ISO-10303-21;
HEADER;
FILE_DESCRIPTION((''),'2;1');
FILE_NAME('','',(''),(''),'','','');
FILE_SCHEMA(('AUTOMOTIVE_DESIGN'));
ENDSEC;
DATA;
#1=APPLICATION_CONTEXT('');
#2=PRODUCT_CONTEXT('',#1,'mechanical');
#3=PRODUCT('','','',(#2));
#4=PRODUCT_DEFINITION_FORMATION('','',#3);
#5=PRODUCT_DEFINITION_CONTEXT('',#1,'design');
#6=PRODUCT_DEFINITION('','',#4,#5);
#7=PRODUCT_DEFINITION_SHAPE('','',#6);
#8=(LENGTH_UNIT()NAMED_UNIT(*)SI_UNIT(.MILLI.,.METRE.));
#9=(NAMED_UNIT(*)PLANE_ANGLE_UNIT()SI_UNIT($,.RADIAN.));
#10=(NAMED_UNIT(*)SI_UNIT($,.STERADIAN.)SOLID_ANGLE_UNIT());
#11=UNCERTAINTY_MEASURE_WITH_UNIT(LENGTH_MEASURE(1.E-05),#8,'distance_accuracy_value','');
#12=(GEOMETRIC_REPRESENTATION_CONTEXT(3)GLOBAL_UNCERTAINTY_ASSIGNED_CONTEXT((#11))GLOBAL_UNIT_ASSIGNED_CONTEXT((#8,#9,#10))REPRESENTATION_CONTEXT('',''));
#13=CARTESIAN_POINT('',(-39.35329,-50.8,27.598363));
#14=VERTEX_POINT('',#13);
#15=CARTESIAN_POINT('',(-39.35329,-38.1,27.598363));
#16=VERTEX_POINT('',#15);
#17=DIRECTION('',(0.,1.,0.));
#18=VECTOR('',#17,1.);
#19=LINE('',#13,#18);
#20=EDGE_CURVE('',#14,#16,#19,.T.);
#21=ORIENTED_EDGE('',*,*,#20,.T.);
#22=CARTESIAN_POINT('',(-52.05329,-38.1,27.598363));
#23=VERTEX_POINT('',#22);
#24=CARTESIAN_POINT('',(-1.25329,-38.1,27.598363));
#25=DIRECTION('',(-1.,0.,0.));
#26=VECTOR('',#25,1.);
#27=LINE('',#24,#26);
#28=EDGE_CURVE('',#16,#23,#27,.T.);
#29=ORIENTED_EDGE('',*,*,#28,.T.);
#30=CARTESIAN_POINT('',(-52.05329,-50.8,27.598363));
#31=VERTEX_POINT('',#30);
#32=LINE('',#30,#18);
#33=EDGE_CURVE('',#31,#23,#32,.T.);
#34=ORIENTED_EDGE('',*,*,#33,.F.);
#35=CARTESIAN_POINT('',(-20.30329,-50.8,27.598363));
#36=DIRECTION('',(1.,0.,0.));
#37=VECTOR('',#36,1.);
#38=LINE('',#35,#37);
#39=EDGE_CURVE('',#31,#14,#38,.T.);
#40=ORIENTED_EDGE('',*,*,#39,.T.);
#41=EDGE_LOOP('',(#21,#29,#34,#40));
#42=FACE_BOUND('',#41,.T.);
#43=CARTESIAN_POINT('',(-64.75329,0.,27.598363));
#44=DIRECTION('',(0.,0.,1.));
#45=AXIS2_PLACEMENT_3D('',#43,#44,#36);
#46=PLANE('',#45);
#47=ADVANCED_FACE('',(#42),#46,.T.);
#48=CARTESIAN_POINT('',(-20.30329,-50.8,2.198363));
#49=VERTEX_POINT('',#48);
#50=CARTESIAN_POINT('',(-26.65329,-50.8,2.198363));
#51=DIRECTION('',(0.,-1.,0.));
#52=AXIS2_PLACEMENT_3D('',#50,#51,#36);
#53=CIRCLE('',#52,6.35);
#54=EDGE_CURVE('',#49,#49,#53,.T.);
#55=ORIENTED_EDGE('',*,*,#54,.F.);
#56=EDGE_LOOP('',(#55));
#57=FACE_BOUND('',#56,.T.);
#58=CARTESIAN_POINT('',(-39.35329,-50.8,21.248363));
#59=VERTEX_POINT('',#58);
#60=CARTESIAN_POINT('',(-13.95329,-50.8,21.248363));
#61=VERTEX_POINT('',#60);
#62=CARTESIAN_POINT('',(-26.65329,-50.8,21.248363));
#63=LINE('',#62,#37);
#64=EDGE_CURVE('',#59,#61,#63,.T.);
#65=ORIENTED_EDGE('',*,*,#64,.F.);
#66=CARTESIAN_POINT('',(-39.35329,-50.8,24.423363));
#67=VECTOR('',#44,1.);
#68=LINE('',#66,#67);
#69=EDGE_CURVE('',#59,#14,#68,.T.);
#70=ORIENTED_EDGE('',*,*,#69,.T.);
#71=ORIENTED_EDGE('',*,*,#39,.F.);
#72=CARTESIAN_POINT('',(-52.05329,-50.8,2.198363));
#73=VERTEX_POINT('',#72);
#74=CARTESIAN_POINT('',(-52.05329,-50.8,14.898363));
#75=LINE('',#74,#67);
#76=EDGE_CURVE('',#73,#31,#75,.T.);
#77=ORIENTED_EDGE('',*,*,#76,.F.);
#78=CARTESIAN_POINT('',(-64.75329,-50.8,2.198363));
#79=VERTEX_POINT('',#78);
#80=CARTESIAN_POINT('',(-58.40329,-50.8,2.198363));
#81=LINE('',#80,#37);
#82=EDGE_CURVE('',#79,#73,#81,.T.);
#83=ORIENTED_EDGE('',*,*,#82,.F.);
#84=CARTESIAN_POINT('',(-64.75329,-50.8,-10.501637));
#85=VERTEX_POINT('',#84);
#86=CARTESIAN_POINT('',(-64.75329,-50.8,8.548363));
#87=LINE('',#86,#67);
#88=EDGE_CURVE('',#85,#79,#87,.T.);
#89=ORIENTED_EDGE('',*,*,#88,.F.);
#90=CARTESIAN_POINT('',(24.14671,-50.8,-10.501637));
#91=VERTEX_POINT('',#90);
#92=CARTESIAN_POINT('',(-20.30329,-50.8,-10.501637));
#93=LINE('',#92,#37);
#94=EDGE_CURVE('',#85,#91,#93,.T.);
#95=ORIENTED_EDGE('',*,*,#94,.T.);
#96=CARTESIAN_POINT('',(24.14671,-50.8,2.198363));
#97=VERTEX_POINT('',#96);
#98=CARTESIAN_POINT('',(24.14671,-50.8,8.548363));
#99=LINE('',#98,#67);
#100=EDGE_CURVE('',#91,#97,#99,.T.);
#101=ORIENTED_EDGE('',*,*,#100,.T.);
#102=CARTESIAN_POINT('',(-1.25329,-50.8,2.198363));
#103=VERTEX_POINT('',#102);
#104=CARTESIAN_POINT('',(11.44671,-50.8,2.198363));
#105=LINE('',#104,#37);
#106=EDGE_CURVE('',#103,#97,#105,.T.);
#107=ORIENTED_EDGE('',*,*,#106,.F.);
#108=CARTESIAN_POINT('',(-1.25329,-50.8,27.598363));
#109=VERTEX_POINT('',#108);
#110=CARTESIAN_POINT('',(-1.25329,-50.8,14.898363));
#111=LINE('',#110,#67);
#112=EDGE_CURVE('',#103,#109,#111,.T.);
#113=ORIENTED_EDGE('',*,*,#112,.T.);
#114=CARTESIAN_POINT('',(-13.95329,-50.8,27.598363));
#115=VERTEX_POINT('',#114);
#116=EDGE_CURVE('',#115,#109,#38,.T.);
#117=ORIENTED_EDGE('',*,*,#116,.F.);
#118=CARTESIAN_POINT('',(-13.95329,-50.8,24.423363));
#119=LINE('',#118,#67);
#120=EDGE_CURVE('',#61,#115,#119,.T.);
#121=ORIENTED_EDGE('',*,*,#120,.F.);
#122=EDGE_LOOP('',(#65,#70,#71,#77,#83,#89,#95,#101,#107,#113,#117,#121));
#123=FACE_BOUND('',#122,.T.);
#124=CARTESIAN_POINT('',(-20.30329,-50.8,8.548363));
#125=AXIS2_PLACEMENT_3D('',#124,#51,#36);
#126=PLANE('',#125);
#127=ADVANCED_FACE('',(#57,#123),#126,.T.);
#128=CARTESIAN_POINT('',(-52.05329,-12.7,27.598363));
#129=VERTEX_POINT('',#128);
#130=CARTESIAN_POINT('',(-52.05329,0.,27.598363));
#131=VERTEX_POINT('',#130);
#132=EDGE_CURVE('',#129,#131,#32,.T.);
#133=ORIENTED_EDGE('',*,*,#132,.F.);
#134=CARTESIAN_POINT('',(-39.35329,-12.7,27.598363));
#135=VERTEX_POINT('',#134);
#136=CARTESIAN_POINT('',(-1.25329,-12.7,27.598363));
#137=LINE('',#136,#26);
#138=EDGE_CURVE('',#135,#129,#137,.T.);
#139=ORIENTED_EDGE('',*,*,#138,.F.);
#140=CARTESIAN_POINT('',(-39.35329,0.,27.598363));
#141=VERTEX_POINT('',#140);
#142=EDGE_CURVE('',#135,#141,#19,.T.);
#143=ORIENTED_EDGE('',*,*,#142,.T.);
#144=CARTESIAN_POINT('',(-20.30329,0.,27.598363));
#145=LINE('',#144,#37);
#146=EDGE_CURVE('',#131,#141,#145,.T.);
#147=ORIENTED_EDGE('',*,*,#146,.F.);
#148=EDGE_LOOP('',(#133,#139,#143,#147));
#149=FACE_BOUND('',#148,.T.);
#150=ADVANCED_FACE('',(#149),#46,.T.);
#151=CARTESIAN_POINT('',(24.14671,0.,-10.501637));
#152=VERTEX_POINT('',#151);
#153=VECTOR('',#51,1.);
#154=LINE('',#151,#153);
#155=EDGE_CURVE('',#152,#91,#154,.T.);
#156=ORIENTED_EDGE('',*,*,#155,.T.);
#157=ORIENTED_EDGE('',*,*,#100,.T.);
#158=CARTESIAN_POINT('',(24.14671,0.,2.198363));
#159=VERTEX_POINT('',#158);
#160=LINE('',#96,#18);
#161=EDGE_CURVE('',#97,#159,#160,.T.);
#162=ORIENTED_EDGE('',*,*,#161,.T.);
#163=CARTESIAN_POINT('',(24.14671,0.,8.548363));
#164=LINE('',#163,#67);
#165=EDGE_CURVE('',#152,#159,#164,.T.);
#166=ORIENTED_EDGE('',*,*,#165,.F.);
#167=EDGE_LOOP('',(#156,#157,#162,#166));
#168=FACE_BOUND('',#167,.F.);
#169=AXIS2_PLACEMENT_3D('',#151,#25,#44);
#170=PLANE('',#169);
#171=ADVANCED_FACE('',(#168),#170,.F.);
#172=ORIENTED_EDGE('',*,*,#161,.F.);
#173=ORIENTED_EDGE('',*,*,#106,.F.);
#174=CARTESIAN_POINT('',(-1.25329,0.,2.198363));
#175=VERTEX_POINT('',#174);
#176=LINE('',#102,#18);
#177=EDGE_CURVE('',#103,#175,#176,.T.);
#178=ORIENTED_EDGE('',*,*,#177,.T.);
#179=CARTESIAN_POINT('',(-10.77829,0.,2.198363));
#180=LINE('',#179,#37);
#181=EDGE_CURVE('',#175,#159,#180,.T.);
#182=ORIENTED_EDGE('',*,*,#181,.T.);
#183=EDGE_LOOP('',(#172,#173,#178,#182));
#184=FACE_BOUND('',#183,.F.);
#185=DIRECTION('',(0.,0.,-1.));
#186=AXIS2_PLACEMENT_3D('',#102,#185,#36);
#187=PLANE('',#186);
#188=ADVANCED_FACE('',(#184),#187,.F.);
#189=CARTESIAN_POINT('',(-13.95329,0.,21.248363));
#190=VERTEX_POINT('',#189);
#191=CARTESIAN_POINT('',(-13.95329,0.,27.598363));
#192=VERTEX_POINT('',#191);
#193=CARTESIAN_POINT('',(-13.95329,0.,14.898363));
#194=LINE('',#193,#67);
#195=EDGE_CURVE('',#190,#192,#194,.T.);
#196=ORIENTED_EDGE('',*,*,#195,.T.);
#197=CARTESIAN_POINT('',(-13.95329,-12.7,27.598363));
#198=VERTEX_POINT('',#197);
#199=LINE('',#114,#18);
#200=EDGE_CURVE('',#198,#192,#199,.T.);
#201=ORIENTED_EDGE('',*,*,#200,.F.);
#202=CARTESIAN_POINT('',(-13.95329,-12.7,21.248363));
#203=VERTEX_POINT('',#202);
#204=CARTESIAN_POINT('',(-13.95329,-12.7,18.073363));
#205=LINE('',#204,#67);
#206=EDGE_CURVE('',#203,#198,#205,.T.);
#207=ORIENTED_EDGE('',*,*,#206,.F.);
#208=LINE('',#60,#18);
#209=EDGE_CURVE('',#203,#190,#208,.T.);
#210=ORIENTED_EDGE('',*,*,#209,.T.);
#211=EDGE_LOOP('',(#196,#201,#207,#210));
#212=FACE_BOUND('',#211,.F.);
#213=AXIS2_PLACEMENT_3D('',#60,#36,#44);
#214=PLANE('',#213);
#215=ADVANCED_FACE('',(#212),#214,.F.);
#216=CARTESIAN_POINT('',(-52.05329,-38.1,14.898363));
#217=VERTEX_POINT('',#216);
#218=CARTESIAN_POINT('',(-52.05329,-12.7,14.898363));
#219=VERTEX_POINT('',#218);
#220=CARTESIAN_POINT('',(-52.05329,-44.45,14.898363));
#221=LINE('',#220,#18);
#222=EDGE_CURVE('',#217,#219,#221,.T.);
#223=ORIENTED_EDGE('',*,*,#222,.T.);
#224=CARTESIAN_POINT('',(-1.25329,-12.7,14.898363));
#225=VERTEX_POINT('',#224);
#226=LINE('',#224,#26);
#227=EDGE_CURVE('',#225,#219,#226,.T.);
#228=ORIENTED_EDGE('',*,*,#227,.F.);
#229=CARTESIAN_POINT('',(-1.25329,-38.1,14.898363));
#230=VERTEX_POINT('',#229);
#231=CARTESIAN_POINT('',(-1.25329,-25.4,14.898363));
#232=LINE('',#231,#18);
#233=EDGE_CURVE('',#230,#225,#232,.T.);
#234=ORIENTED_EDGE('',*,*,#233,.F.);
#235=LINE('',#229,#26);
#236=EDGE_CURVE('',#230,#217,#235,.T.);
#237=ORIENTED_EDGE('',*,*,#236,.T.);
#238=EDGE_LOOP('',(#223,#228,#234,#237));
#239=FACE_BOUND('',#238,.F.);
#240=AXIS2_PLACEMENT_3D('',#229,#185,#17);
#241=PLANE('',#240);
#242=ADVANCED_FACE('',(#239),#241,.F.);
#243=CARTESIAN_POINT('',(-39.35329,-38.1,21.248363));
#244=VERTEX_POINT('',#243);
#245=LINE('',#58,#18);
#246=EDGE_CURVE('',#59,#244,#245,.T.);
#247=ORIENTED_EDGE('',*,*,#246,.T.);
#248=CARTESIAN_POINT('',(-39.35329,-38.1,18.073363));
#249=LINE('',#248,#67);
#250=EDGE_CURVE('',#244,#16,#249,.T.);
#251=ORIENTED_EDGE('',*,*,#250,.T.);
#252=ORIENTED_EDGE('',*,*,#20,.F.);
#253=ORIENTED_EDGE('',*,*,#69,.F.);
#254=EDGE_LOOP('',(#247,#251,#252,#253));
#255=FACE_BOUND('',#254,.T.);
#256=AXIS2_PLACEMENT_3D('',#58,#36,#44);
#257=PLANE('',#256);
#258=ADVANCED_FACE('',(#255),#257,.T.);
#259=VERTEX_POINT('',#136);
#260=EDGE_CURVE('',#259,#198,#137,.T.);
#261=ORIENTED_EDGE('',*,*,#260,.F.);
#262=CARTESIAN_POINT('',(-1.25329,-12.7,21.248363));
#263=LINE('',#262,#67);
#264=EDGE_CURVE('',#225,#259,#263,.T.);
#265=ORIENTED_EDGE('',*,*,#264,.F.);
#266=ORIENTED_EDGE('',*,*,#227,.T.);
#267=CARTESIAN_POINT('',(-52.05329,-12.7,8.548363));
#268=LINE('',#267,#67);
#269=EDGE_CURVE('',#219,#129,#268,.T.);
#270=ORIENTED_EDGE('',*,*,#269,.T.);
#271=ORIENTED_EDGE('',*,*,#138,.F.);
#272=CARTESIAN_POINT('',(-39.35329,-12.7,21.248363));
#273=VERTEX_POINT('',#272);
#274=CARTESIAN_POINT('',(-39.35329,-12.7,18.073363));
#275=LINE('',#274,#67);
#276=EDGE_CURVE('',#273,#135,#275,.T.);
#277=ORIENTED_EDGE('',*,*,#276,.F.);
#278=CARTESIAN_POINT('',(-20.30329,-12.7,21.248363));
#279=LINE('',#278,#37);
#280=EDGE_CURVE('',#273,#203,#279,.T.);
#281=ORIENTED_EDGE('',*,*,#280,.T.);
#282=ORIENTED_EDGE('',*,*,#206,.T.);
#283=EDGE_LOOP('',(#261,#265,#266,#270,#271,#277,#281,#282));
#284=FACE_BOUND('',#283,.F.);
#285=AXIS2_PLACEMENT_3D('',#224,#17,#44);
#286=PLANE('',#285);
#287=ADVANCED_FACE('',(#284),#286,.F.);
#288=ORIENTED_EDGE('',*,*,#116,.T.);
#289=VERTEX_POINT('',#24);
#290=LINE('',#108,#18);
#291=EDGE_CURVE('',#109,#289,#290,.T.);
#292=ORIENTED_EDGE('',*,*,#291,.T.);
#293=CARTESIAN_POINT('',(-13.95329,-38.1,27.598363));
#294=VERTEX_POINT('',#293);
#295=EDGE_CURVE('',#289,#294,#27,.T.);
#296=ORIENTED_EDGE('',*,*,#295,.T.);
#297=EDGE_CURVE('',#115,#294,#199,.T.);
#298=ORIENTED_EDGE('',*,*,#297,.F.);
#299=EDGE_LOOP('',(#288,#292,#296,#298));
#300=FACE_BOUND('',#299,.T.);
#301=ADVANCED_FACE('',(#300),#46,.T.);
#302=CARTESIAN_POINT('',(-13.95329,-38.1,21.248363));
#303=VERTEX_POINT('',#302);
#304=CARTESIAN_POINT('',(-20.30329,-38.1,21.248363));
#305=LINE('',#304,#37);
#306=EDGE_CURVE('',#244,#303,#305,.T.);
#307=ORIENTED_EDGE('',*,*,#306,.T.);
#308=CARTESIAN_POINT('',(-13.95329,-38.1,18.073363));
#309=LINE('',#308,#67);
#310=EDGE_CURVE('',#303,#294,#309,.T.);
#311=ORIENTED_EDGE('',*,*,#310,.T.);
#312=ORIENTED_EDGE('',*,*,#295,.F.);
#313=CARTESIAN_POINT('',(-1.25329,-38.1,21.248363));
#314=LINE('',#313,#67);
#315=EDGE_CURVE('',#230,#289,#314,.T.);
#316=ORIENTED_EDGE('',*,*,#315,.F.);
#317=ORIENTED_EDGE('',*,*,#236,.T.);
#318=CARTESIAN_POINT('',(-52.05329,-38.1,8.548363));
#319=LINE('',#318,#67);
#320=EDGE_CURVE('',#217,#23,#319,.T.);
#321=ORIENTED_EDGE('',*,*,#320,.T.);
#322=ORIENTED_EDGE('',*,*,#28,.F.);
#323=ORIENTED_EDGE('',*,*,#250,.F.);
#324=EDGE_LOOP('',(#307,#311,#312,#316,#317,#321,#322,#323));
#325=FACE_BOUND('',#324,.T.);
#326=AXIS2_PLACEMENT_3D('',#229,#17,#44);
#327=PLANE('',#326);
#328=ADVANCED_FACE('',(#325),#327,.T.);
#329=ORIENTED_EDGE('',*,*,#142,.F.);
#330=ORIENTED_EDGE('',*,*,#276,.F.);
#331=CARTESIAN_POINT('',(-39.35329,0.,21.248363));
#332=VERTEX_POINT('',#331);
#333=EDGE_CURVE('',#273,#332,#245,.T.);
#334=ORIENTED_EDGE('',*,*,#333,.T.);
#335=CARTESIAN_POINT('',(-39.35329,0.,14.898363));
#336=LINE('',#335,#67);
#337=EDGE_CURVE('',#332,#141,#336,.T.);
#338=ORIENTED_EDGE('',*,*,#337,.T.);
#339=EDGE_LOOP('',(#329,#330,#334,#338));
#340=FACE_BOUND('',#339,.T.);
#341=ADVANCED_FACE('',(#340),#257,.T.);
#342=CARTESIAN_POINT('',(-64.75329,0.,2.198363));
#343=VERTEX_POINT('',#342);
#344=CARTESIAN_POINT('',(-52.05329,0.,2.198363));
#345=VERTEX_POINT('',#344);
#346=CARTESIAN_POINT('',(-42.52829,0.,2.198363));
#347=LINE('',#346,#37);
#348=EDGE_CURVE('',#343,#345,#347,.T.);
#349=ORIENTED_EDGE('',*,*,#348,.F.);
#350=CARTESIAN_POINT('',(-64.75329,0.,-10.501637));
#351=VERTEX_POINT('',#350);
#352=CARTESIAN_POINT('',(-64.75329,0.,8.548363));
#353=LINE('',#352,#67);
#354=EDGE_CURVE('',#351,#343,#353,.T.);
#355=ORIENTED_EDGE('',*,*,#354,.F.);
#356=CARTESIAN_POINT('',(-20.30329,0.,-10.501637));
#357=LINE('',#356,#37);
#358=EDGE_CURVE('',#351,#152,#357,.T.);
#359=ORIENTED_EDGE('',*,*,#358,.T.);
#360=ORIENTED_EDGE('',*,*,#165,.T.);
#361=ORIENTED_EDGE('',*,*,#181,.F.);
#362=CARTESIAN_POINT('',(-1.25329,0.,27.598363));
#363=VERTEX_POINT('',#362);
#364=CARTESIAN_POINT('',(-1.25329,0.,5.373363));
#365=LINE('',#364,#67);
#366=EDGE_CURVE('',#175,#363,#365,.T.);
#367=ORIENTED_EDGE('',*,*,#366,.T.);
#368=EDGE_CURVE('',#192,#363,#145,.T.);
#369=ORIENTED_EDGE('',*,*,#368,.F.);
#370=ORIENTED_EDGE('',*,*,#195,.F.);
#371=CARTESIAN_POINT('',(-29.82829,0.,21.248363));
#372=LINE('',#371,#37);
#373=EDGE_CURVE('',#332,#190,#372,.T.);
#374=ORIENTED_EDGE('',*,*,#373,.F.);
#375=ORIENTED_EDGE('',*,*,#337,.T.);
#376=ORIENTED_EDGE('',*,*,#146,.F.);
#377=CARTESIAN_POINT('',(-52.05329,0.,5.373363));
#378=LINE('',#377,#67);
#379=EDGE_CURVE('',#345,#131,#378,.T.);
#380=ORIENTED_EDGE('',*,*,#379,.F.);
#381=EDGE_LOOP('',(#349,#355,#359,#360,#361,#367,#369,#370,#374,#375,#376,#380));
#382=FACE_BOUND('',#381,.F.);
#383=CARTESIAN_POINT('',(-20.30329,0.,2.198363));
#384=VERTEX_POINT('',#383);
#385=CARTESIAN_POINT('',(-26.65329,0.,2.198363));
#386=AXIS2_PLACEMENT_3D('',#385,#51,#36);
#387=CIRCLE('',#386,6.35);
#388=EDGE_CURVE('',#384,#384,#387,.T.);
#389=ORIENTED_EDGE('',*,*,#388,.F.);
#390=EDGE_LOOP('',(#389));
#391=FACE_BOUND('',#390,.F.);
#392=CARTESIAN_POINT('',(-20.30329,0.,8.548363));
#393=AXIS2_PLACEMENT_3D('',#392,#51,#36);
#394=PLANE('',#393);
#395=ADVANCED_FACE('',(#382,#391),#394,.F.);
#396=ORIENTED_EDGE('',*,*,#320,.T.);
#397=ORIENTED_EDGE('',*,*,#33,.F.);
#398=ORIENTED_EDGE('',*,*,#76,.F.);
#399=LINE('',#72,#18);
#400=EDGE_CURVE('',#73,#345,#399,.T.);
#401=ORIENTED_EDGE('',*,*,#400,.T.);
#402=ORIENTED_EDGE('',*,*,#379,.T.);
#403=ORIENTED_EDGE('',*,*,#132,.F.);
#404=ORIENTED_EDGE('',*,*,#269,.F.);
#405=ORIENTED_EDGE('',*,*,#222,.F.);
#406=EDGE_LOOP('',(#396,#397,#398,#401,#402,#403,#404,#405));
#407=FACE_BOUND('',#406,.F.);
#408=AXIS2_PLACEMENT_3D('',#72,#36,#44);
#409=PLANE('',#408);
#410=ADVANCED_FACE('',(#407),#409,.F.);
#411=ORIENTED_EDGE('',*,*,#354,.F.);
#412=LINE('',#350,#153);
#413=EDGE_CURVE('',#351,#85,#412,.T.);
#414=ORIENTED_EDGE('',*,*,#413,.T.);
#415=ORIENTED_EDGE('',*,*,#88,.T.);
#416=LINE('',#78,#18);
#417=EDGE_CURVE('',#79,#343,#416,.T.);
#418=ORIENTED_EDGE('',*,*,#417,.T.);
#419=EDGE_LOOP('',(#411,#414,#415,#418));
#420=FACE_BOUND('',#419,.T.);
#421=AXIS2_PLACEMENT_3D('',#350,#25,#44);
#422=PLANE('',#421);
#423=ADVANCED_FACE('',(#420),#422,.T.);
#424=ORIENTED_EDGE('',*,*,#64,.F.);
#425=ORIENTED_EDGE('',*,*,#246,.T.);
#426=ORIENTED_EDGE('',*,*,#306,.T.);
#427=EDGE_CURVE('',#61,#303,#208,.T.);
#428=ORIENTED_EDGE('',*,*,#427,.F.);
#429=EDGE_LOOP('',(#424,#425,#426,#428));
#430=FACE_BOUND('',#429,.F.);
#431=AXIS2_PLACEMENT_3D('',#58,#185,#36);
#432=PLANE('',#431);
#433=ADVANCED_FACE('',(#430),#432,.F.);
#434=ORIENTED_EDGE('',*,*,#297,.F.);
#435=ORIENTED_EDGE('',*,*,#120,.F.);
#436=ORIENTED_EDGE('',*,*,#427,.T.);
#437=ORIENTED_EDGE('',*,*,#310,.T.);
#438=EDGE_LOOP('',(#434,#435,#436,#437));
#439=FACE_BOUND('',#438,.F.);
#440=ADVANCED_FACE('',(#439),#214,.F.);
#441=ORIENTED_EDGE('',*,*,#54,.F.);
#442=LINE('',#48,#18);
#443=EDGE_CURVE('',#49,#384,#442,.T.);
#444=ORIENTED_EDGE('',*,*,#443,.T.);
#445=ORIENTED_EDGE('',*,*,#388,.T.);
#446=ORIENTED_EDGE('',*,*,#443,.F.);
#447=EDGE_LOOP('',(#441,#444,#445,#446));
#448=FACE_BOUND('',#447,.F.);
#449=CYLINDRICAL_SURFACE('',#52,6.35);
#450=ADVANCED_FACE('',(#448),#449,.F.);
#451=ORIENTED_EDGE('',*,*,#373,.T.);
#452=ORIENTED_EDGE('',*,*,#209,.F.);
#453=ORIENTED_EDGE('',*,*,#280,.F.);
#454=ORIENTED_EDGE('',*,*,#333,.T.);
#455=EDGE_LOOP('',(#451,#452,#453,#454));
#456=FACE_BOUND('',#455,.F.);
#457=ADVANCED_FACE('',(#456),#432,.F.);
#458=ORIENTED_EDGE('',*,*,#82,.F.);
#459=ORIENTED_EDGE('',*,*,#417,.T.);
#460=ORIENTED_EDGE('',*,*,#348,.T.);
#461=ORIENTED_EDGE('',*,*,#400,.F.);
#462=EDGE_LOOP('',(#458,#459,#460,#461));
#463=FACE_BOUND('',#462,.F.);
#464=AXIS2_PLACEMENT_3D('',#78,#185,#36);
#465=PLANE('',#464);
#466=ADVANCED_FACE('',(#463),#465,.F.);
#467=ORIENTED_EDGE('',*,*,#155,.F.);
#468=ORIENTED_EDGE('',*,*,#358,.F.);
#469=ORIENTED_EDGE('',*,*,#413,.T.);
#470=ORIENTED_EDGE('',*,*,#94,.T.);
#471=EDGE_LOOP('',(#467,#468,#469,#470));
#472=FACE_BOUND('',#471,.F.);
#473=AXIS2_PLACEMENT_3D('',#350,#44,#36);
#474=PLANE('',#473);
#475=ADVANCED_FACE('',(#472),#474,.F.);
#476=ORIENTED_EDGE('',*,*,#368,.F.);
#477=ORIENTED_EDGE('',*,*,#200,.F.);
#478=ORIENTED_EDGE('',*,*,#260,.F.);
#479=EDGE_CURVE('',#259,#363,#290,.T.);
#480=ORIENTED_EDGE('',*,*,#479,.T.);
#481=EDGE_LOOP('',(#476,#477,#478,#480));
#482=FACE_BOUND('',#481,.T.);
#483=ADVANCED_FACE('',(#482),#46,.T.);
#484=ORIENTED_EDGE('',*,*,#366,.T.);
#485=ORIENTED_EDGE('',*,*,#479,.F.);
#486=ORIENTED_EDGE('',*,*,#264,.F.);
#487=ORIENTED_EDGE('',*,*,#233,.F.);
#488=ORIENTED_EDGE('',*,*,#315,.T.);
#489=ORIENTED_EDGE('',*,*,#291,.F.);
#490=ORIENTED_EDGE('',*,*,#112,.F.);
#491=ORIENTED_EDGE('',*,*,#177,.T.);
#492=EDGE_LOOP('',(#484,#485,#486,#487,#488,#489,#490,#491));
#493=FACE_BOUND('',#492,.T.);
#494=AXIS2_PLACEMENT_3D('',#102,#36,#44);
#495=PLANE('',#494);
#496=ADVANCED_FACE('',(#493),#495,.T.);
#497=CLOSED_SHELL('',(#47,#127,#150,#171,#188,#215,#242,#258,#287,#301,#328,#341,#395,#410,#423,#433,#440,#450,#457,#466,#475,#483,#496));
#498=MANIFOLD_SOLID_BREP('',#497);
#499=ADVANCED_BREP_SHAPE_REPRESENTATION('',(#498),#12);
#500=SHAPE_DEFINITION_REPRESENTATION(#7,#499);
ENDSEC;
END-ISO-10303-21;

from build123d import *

# Parameters (mm, degrees)
F0_W      = 88.9
F0_H      = 38.1
F1_DEPTH  = 50.8
F2_W      = 25.4
F2_H      = 6.35
F3_DEPTH  = 50.801
F4_W      = 12.7
F4_H      = 25.4
F5_DEPTH  = 50.801
F6_W      = 25.4
F6_H      = 25.4
F7_DEPTH  = 50.801
F8_W      = 25.4
F8_H      = 12.7
F9_DEPTH  = 63.501
F10_R     = 6.35
F11_DEPTH = 50.801


with BuildPart() as f1:
    # F0 (on Front) → F1 (new body)
    with BuildSketch(Plane.XZ):
        with Locations((-20.30329, 8.548363)):
            Rectangle(F0_W, F0_H)
    extrude(amount=F1_DEPTH)

    # F2 (on face) → F3 (cut, through all)
    with BuildSketch(Plane.XZ.offset(50.8)):
        with Locations((-26.65329, 24.423363)):
            Rectangle(F2_W, F2_H)
    extrude(amount=-F3_DEPTH, mode=Mode.SUBTRACT)

    # F4 (on face) → F5 (cut, through all)
    with BuildSketch(Plane.XZ.offset(50.8)):
        with Locations((-58.40329, 14.898363)):
            Rectangle(F4_W, F4_H)
    extrude(amount=-F5_DEPTH, mode=Mode.SUBTRACT)

    # F6 (on face) → F7 (cut, through all)
    with BuildSketch(Plane.XZ.offset(50.8)):
        with Locations((11.44671, 14.898363)):
            Rectangle(F6_W, F6_H)
    extrude(amount=-F7_DEPTH, mode=Mode.SUBTRACT)

    # F8 (on face) → F9 (cut, through all)
    with BuildSketch(Plane.YZ.offset(-1.25329)):
        with Locations((-25.4, 21.248363)):
            Rectangle(F8_W, F8_H)
    extrude(amount=-F9_DEPTH, mode=Mode.SUBTRACT)

    # F10 (on face) → F11 (cut, through all)
    with BuildSketch(Plane.XZ.offset(50.8)):
        with Locations((-26.65329, 2.198363)):
            Circle(F10_R)
    extrude(amount=-F11_DEPTH, mode=Mode.SUBTRACT)


solid = f1.part
